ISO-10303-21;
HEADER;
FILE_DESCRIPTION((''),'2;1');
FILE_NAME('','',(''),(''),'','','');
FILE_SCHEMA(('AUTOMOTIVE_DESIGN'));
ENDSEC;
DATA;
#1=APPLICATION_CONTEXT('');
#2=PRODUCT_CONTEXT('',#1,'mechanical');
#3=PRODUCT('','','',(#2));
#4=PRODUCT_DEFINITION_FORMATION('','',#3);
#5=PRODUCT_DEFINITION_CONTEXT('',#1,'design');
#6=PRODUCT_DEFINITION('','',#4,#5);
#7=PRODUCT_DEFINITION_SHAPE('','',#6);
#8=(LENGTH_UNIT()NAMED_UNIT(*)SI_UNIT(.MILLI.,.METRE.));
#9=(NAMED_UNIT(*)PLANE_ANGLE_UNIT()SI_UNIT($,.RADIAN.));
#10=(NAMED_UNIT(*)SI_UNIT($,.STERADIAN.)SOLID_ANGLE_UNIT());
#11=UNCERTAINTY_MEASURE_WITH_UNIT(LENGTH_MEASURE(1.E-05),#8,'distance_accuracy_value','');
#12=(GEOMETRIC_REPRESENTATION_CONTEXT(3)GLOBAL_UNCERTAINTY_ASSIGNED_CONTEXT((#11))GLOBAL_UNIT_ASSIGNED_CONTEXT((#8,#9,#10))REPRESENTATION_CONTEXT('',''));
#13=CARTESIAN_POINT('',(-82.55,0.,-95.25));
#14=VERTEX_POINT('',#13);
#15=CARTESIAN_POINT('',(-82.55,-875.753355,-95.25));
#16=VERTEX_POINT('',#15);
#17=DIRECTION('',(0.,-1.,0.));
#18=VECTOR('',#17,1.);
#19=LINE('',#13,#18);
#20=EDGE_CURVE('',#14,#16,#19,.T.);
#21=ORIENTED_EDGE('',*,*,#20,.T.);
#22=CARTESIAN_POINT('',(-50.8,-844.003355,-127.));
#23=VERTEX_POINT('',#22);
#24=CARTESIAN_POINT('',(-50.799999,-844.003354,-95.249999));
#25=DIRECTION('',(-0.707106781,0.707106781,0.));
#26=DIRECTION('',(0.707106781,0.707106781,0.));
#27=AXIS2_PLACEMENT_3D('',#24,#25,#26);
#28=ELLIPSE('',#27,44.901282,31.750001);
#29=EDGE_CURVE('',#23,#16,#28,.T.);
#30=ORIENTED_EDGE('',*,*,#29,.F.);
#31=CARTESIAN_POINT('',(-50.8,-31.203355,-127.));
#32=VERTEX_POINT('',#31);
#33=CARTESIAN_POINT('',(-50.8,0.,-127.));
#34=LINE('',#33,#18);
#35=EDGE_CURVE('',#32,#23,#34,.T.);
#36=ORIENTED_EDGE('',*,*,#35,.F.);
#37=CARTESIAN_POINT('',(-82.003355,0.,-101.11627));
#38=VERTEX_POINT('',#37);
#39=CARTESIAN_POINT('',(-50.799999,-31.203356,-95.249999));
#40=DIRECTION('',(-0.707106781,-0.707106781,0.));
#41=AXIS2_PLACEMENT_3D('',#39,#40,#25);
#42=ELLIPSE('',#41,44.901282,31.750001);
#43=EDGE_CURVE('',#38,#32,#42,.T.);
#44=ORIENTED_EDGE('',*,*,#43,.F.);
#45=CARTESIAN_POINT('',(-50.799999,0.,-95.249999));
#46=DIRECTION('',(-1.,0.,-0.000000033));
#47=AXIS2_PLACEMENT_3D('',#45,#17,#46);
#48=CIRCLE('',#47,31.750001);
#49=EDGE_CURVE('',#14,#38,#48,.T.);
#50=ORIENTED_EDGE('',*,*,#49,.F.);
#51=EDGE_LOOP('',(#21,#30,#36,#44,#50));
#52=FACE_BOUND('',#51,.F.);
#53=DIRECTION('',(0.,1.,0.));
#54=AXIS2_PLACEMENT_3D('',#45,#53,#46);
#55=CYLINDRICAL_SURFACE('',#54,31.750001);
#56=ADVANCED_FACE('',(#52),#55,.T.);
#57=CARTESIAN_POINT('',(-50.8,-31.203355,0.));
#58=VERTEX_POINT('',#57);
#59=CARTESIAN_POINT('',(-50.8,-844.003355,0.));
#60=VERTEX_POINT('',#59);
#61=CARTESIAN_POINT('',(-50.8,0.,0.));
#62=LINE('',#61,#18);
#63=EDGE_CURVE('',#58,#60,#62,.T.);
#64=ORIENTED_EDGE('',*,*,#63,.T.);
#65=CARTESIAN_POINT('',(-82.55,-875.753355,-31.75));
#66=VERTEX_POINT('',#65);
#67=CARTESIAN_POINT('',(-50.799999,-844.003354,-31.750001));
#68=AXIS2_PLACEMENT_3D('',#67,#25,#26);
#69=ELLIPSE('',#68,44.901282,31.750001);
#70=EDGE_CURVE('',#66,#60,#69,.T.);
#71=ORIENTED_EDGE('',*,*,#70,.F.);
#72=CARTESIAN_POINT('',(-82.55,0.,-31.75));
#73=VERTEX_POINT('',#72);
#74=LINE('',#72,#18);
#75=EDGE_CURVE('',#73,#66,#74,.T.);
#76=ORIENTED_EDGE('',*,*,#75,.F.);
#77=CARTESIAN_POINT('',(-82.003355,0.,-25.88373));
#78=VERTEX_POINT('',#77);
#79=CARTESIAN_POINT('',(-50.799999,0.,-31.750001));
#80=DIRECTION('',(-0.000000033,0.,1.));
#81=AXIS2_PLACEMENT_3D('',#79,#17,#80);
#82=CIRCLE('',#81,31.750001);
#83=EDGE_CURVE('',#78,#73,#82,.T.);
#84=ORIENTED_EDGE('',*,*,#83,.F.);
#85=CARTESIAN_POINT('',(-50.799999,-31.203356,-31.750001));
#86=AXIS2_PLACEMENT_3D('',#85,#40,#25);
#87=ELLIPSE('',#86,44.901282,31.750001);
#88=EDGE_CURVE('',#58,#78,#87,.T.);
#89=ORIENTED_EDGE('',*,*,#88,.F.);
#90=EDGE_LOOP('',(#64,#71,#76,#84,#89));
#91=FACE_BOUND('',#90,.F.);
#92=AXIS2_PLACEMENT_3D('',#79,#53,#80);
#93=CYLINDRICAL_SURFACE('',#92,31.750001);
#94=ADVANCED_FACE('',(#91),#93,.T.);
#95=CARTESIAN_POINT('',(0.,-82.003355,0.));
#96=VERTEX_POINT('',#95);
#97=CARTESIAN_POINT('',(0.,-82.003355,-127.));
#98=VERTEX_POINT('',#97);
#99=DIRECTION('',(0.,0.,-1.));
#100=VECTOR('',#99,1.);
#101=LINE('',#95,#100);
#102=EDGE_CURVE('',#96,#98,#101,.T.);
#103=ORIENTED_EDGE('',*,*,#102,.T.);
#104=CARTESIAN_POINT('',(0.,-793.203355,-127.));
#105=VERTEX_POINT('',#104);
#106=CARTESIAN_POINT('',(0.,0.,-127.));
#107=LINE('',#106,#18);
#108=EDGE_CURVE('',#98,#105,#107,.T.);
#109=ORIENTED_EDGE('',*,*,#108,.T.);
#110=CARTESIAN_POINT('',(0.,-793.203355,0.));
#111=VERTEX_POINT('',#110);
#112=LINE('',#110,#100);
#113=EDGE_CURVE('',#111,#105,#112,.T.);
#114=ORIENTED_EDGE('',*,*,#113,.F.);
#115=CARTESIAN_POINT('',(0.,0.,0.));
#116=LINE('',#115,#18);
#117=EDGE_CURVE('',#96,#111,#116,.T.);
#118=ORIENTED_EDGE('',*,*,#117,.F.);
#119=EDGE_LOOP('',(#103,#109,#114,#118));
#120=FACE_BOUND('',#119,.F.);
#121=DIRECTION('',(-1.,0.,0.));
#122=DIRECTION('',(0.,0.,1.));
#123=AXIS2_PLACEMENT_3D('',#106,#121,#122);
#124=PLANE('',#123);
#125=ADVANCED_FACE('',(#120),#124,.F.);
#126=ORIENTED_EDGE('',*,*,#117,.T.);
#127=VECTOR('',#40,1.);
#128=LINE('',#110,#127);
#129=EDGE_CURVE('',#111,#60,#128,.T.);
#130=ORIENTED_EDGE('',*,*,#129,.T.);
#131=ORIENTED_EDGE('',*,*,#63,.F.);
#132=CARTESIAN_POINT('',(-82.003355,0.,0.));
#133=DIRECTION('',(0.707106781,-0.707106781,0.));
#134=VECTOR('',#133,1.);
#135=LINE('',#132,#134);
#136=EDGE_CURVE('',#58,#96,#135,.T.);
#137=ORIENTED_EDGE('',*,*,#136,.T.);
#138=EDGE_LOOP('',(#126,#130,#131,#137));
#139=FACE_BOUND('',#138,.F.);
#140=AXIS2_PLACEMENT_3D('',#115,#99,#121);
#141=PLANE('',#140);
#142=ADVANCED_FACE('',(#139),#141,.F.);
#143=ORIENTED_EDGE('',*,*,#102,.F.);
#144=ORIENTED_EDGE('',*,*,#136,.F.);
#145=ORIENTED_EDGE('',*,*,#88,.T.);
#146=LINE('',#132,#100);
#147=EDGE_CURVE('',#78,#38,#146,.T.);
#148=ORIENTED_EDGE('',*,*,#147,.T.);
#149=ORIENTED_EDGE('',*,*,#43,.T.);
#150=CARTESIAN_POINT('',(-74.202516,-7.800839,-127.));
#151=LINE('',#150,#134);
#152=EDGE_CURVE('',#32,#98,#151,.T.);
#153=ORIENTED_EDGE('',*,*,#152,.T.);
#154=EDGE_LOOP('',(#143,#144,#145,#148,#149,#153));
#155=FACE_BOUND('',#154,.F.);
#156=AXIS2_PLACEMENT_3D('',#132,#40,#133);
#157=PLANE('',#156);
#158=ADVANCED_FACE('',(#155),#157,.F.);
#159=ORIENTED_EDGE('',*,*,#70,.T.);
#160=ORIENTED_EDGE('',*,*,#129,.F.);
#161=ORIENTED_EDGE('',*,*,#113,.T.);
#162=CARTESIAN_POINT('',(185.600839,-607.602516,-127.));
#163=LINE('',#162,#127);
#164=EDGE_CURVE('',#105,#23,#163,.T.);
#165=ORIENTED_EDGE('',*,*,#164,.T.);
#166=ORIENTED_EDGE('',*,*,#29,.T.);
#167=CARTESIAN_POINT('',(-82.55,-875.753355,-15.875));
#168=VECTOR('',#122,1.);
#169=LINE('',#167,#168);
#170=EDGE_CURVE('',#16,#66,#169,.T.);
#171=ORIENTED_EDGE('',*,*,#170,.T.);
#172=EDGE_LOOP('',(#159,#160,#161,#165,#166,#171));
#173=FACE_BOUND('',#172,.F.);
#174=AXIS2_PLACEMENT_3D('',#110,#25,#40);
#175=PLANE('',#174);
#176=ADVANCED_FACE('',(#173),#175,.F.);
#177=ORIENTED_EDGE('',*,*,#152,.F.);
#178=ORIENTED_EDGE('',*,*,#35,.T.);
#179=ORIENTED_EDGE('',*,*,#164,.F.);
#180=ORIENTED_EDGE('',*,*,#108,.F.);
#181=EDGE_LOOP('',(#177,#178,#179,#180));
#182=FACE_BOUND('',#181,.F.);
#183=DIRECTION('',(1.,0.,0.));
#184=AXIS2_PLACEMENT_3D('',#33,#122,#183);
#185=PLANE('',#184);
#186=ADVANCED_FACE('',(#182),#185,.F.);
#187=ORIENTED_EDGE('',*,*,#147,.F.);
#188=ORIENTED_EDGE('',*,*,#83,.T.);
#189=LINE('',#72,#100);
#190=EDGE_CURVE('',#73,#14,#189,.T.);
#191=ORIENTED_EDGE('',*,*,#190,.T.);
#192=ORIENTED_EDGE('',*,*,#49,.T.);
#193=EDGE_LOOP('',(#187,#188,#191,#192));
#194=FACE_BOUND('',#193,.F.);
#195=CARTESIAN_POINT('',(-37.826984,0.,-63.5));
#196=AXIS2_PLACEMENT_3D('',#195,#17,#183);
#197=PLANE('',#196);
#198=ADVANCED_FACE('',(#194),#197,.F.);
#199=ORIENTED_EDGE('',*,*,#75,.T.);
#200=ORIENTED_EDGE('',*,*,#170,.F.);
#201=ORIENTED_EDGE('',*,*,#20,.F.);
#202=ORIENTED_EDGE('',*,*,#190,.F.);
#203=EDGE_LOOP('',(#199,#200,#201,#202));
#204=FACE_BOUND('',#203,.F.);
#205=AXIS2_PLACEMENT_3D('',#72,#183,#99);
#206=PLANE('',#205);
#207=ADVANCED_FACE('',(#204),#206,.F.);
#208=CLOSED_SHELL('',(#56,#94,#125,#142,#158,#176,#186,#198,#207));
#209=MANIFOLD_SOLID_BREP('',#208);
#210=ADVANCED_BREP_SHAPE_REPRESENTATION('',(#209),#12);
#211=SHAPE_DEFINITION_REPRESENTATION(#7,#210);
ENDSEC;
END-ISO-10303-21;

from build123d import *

# Parameters (mm, degrees)
F1_DEPTH = 1016
F3_DEPTH = 127.001
F5_DEPTH = 127.001


with BuildPart() as f1:
    # F0 (on Front) → F1 (new body)
    with BuildSketch(Plane.XZ):
        with BuildLine():
            Line((0, -127), (0, 0))
            Line((0, 0), (-50.8, 0))
            ThreePointArc((-50.8, 0), (-73.25064, -9.29936), (-82.55, -31.75))
            Line((-82.55, -31.75), (-82.55, -95.25))
            ThreePointArc((-82.55, -95.25), (-73.25064, -117.70064), (-50.8, -127))
            Line((-50.8, -127), (0, -127))
        make_face()
    extrude(amount=F1_DEPTH)

    # F2 (on face) → F3 (cut, through all)
    with BuildSketch(Plane.XY):
        Polygon((0, -82.003355), (0, 0), (-82.003355, 0), align=None)
    extrude(amount=-F3_DEPTH, mode=Mode.SUBTRACT)

    # F4 (on face) → F5 (cut, through all)
    with BuildSketch(Plane.XY):
        Polygon((0, -1016), (0, -793.203355), (-222.796645, -1016), align=None)
    extrude(amount=-F5_DEPTH, mode=Mode.SUBTRACT)


solid = f1.part
